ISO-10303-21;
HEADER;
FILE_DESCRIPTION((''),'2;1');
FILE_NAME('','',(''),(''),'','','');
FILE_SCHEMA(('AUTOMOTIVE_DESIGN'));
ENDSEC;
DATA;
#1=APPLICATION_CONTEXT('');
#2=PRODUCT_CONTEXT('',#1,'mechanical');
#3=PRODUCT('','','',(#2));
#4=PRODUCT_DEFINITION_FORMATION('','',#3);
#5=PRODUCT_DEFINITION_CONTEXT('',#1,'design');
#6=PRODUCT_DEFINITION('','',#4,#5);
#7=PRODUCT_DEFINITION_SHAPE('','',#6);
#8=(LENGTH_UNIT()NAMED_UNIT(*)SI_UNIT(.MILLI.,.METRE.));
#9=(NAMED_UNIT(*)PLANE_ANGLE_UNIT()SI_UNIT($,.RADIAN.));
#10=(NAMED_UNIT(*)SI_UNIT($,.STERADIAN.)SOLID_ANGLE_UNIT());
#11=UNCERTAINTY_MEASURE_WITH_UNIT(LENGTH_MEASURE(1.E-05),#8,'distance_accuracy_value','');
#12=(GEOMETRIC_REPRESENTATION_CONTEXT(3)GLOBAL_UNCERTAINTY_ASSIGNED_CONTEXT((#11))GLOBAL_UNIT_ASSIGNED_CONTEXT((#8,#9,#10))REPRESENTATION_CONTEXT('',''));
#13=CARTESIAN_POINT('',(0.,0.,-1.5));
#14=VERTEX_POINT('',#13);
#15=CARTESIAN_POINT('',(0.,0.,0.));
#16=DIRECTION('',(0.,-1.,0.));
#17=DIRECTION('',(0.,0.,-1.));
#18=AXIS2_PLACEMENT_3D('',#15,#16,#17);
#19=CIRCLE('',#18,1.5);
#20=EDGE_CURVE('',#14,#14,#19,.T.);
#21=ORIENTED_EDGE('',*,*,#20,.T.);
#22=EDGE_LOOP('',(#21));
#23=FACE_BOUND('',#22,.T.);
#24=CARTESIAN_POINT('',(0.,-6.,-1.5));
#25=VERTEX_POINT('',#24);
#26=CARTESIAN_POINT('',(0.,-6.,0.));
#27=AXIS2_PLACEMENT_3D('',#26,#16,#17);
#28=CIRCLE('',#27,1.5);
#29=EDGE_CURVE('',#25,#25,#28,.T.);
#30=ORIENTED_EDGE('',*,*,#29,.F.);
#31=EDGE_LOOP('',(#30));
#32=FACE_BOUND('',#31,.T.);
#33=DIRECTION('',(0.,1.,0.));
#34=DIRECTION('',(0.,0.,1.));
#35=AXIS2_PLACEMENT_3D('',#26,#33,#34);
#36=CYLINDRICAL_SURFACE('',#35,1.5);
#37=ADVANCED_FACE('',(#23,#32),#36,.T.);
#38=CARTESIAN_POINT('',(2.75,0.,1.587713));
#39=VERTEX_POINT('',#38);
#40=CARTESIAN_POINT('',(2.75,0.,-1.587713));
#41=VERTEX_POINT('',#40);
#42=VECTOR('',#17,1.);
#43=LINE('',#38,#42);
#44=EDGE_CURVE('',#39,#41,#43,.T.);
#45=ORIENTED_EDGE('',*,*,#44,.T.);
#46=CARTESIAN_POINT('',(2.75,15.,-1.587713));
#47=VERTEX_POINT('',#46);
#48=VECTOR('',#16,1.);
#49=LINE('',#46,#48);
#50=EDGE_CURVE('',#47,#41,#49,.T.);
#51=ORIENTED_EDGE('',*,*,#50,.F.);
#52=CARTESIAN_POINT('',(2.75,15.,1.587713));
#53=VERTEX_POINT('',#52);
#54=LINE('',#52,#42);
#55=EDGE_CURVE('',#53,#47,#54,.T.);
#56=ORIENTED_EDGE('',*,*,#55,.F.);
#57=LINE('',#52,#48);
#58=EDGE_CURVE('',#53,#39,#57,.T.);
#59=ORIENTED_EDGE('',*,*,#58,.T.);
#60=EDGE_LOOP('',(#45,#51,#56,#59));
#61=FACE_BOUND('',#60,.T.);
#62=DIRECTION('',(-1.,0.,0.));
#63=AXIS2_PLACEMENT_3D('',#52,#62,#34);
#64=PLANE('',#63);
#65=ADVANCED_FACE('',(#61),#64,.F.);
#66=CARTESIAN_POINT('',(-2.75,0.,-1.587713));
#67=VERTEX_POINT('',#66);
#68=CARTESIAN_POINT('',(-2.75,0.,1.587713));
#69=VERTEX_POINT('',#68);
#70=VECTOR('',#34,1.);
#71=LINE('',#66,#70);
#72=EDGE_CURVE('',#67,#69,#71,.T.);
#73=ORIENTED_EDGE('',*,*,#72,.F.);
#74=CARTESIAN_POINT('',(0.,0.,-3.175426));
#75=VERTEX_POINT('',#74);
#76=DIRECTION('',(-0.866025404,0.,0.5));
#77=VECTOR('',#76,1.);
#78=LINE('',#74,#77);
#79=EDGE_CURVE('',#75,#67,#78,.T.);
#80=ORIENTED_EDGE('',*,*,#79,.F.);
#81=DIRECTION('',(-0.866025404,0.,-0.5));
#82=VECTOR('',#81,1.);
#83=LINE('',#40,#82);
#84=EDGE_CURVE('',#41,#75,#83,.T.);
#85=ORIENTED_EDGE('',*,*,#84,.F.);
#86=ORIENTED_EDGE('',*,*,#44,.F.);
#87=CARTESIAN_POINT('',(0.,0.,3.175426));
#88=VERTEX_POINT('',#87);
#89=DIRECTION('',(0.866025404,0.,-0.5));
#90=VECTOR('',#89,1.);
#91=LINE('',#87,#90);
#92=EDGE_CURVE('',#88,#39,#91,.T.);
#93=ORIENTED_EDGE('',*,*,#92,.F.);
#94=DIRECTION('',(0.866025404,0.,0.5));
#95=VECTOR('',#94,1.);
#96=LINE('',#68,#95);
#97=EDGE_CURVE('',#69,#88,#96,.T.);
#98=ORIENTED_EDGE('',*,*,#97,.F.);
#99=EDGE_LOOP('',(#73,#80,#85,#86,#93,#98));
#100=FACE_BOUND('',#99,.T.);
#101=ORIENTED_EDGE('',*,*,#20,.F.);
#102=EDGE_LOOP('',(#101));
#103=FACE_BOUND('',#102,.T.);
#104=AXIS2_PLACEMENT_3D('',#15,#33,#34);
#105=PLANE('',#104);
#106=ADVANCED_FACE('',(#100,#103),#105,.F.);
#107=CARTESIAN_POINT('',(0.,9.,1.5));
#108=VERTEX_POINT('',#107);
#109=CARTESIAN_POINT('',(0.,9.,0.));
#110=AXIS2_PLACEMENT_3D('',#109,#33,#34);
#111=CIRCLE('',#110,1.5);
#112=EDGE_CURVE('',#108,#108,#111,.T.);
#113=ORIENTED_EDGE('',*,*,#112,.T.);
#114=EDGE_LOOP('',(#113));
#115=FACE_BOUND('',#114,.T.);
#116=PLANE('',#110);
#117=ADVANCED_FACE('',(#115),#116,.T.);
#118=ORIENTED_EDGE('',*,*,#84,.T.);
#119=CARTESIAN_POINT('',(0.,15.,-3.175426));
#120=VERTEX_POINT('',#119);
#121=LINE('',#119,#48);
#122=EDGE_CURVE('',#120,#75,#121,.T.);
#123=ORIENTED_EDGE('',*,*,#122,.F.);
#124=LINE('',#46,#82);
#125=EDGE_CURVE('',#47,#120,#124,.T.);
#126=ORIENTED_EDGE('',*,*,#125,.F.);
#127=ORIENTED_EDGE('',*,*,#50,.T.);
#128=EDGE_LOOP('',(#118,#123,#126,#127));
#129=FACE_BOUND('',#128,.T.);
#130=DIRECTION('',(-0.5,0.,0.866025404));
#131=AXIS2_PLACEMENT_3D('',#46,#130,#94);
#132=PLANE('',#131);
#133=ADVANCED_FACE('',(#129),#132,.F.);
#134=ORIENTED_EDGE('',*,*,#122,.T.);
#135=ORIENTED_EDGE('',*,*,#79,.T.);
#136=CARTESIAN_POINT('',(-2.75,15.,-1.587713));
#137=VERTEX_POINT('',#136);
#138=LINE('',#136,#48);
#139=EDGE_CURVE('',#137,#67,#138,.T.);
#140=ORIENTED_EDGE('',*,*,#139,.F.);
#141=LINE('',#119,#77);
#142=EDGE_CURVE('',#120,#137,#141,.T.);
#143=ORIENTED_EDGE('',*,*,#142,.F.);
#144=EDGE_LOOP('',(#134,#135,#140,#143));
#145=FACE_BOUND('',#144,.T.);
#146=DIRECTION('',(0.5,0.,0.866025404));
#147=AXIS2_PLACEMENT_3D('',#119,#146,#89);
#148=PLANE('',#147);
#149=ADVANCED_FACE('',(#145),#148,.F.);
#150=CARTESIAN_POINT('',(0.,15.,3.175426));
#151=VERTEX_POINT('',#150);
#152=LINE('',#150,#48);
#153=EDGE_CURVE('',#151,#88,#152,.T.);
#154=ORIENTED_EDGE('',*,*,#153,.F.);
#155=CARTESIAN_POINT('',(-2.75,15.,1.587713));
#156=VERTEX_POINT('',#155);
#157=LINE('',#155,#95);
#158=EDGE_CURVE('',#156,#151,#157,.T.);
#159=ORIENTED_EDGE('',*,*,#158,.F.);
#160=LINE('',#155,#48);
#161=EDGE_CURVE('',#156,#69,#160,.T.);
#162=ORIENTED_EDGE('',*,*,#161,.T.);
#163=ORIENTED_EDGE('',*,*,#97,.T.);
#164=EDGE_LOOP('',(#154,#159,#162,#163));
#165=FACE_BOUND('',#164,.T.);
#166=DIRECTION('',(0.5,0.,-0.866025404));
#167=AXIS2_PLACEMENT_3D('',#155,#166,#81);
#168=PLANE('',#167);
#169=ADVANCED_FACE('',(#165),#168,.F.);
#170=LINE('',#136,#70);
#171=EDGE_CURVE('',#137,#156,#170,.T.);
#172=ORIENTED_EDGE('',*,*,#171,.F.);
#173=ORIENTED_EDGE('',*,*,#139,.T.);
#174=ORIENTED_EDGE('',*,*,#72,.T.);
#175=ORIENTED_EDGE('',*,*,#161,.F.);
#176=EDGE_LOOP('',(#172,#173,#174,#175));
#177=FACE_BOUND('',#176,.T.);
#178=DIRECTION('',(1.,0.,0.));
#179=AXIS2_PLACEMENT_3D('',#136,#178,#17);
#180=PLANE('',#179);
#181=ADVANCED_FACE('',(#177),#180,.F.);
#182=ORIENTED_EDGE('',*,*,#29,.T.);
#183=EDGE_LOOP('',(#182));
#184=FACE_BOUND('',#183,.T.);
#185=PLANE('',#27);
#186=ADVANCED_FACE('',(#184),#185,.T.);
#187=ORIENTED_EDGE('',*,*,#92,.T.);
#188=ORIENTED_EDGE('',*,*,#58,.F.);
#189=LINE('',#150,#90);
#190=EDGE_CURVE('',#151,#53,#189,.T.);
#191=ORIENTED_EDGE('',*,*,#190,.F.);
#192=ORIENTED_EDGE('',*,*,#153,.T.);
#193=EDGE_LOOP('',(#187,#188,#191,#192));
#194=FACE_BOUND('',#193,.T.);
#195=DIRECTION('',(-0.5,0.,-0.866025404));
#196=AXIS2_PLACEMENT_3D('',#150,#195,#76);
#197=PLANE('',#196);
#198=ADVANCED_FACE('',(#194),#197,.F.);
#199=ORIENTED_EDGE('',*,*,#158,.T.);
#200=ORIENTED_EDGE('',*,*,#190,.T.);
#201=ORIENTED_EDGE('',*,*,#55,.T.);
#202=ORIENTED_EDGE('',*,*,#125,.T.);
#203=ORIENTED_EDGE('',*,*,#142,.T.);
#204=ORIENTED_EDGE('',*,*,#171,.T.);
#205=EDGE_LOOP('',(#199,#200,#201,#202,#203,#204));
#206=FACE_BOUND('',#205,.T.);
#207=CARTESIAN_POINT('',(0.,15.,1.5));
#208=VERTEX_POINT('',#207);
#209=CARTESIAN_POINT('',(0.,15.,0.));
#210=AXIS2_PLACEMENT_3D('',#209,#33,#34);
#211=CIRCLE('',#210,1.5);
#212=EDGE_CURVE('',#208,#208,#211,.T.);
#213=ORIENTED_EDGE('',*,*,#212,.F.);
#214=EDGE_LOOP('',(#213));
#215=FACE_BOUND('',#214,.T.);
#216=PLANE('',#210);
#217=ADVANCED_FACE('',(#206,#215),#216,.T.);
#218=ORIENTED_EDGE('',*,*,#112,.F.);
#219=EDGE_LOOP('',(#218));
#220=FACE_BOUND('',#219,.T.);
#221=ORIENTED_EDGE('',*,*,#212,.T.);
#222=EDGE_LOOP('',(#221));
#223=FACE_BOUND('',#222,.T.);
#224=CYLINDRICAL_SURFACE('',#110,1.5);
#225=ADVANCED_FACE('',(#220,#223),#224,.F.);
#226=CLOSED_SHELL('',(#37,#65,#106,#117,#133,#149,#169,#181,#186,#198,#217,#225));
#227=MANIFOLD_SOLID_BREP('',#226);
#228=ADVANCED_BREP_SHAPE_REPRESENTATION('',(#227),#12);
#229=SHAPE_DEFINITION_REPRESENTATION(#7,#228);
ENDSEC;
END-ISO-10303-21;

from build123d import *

# Parameters (mm, degrees)
SALIENTE_EXTRUIR1_DEPTH = 15
CROQUIS2_R              = 1.5
SALIENTE_EXTRUIR2_DEPTH = 6
CROQUIS3_R              = 1.5
CORTAR_EXTRUIR1_DEPTH   = 6


with BuildPart() as part:
    # Croquis1 → Saliente-Extruir1 (new body)
    with BuildSketch(Plane(origin=(0, 0, 0), x_dir=(1, 0, 0), z_dir=(0, 1, 0))):
        Polygon((0, 3.175426481), (-2.75, 1.58771324), (-2.75, -1.58771324), (0, -3.175426481), (2.75, -1.58771324), (2.75, 1.58771324), align=None)
    extrude(amount=SALIENTE_EXTRUIR1_DEPTH)

    # Croquis2 → Saliente-Extruir2 (add)
    with BuildSketch(Plane.XZ):
        Circle(CROQUIS2_R)
    extrude(amount=SALIENTE_EXTRUIR2_DEPTH)

    # Croquis3 → Cortar-Extruir1 (cut)
    with BuildSketch(Plane(origin=(0, 15, 0), x_dir=(1, 0, 0), z_dir=(0, 1, 0))):
        Circle(CROQUIS3_R)
    extrude(amount=-CORTAR_EXTRUIR1_DEPTH, mode=Mode.SUBTRACT)


solid = part.part
